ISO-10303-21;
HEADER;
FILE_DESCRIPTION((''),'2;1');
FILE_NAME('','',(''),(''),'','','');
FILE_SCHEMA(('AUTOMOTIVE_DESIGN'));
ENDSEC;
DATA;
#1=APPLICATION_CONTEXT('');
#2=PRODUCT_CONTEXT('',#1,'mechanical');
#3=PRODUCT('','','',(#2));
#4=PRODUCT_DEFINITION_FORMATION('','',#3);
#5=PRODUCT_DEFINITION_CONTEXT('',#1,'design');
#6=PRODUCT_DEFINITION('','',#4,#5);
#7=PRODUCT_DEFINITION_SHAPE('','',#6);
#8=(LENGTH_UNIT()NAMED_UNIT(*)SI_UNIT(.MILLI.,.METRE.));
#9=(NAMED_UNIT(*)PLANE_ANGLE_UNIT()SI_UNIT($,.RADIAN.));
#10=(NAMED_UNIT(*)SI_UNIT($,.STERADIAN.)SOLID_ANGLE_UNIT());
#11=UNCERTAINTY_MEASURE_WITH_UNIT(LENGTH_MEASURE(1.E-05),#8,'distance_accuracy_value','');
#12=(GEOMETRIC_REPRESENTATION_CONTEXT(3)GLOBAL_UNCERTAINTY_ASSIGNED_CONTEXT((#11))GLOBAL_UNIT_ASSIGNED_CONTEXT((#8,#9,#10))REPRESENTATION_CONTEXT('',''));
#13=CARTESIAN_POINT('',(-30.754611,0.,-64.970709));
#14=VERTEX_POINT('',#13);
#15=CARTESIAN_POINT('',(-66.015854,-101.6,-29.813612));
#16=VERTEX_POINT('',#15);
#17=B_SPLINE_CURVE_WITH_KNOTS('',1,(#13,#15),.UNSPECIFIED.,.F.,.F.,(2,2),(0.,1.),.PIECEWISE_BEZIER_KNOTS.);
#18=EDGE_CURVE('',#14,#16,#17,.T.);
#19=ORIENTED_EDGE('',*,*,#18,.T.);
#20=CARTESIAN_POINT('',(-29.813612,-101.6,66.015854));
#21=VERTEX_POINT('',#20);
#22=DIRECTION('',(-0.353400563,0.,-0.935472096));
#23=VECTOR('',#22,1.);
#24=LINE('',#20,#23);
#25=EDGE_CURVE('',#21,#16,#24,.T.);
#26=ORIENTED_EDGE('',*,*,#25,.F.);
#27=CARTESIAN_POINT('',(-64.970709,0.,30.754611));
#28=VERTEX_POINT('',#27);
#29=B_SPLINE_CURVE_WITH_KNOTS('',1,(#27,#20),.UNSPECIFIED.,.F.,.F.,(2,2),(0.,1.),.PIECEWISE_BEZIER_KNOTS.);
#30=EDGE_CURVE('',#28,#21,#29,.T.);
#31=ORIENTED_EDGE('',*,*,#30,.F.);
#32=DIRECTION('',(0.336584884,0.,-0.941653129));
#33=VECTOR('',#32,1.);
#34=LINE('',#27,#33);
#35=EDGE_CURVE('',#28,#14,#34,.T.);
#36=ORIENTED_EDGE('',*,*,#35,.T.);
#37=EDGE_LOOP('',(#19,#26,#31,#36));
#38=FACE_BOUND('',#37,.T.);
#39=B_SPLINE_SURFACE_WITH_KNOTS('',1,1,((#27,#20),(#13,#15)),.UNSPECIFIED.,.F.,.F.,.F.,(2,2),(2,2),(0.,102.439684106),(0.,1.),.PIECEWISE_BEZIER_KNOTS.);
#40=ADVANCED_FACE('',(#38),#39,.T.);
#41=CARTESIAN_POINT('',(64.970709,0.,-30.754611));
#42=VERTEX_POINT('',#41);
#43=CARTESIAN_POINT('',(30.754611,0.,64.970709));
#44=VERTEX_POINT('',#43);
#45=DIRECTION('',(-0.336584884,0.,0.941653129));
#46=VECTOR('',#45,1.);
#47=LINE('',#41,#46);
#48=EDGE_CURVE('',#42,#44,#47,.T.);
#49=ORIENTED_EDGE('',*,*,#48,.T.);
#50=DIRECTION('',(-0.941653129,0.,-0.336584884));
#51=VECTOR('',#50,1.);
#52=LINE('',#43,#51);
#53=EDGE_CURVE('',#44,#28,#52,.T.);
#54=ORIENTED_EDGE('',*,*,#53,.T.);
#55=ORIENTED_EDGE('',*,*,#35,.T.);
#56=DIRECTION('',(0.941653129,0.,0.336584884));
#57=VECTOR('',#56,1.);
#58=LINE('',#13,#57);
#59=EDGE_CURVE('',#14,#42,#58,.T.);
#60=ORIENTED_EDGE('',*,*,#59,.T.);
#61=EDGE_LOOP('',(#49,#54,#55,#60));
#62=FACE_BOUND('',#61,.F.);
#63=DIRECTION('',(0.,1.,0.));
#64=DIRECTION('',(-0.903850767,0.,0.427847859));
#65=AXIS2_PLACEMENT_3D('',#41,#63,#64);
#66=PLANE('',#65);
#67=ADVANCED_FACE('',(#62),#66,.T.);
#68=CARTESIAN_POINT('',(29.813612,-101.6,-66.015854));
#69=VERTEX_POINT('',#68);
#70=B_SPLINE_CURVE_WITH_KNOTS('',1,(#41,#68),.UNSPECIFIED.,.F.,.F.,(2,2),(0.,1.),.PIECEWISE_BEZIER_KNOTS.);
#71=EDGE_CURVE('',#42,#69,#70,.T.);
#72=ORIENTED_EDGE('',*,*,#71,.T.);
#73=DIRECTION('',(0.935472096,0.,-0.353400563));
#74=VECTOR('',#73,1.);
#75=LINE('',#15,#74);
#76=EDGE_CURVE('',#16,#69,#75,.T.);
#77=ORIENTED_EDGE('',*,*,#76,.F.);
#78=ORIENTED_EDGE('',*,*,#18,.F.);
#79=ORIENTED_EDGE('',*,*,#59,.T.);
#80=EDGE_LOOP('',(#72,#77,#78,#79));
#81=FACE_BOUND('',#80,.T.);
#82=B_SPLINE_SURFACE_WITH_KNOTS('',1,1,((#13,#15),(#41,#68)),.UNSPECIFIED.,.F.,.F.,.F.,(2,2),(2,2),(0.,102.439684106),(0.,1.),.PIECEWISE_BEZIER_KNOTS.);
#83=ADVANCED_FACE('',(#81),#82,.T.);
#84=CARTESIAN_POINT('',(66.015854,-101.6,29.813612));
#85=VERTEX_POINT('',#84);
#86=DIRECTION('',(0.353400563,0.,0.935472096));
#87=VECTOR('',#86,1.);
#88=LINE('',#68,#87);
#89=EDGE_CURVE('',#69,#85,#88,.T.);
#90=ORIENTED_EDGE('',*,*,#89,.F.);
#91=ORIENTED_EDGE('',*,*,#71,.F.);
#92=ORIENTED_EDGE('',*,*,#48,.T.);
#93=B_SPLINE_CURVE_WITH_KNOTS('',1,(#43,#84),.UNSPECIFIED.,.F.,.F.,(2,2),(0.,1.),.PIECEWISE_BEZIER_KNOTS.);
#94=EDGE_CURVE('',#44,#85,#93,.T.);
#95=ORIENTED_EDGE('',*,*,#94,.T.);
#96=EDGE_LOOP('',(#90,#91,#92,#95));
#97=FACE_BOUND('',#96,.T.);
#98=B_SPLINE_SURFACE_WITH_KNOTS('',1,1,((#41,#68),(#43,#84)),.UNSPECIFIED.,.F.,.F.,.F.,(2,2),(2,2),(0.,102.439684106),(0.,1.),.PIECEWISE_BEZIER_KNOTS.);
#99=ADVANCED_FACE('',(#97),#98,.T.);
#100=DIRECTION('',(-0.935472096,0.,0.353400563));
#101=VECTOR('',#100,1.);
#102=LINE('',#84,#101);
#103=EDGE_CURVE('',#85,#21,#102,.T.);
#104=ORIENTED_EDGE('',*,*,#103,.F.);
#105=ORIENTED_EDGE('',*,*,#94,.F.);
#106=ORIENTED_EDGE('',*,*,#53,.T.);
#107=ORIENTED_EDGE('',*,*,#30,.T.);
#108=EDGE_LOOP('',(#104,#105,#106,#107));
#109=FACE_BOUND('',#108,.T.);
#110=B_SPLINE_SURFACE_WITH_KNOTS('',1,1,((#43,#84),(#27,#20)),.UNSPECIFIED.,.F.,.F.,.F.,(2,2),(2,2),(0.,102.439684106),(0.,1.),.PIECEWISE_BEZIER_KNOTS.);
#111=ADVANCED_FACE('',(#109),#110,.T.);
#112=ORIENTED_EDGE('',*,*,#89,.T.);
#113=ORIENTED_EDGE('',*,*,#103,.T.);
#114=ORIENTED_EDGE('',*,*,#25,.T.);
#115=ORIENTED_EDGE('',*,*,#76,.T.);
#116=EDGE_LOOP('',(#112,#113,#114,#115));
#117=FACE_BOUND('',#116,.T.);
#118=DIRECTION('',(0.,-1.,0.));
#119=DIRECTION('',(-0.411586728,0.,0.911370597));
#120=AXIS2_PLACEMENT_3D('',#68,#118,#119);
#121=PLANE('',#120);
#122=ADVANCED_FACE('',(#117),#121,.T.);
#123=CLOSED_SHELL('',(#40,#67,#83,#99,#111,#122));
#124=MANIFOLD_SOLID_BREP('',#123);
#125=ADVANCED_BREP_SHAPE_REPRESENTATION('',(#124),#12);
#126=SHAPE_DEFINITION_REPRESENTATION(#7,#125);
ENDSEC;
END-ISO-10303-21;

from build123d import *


with BuildPart() as f3:
    # F0 (on Front) → F3 section 0
    with BuildSketch(Plane.XZ):
        Polygon((64.970709, -30.754611), (30.754611, 64.970709), (-64.970709, 30.754611), (-30.754611, -64.970709), align=None)
    # F2 (on offset) → F3 section 1
    with BuildSketch(Plane.XZ.offset(101.6)):
        Polygon((66.015854, 29.813612), (-29.813612, 66.015854), (-66.015854, -29.813612), (29.813612, -66.015854), align=None)
    loft()


solid = f3.part
